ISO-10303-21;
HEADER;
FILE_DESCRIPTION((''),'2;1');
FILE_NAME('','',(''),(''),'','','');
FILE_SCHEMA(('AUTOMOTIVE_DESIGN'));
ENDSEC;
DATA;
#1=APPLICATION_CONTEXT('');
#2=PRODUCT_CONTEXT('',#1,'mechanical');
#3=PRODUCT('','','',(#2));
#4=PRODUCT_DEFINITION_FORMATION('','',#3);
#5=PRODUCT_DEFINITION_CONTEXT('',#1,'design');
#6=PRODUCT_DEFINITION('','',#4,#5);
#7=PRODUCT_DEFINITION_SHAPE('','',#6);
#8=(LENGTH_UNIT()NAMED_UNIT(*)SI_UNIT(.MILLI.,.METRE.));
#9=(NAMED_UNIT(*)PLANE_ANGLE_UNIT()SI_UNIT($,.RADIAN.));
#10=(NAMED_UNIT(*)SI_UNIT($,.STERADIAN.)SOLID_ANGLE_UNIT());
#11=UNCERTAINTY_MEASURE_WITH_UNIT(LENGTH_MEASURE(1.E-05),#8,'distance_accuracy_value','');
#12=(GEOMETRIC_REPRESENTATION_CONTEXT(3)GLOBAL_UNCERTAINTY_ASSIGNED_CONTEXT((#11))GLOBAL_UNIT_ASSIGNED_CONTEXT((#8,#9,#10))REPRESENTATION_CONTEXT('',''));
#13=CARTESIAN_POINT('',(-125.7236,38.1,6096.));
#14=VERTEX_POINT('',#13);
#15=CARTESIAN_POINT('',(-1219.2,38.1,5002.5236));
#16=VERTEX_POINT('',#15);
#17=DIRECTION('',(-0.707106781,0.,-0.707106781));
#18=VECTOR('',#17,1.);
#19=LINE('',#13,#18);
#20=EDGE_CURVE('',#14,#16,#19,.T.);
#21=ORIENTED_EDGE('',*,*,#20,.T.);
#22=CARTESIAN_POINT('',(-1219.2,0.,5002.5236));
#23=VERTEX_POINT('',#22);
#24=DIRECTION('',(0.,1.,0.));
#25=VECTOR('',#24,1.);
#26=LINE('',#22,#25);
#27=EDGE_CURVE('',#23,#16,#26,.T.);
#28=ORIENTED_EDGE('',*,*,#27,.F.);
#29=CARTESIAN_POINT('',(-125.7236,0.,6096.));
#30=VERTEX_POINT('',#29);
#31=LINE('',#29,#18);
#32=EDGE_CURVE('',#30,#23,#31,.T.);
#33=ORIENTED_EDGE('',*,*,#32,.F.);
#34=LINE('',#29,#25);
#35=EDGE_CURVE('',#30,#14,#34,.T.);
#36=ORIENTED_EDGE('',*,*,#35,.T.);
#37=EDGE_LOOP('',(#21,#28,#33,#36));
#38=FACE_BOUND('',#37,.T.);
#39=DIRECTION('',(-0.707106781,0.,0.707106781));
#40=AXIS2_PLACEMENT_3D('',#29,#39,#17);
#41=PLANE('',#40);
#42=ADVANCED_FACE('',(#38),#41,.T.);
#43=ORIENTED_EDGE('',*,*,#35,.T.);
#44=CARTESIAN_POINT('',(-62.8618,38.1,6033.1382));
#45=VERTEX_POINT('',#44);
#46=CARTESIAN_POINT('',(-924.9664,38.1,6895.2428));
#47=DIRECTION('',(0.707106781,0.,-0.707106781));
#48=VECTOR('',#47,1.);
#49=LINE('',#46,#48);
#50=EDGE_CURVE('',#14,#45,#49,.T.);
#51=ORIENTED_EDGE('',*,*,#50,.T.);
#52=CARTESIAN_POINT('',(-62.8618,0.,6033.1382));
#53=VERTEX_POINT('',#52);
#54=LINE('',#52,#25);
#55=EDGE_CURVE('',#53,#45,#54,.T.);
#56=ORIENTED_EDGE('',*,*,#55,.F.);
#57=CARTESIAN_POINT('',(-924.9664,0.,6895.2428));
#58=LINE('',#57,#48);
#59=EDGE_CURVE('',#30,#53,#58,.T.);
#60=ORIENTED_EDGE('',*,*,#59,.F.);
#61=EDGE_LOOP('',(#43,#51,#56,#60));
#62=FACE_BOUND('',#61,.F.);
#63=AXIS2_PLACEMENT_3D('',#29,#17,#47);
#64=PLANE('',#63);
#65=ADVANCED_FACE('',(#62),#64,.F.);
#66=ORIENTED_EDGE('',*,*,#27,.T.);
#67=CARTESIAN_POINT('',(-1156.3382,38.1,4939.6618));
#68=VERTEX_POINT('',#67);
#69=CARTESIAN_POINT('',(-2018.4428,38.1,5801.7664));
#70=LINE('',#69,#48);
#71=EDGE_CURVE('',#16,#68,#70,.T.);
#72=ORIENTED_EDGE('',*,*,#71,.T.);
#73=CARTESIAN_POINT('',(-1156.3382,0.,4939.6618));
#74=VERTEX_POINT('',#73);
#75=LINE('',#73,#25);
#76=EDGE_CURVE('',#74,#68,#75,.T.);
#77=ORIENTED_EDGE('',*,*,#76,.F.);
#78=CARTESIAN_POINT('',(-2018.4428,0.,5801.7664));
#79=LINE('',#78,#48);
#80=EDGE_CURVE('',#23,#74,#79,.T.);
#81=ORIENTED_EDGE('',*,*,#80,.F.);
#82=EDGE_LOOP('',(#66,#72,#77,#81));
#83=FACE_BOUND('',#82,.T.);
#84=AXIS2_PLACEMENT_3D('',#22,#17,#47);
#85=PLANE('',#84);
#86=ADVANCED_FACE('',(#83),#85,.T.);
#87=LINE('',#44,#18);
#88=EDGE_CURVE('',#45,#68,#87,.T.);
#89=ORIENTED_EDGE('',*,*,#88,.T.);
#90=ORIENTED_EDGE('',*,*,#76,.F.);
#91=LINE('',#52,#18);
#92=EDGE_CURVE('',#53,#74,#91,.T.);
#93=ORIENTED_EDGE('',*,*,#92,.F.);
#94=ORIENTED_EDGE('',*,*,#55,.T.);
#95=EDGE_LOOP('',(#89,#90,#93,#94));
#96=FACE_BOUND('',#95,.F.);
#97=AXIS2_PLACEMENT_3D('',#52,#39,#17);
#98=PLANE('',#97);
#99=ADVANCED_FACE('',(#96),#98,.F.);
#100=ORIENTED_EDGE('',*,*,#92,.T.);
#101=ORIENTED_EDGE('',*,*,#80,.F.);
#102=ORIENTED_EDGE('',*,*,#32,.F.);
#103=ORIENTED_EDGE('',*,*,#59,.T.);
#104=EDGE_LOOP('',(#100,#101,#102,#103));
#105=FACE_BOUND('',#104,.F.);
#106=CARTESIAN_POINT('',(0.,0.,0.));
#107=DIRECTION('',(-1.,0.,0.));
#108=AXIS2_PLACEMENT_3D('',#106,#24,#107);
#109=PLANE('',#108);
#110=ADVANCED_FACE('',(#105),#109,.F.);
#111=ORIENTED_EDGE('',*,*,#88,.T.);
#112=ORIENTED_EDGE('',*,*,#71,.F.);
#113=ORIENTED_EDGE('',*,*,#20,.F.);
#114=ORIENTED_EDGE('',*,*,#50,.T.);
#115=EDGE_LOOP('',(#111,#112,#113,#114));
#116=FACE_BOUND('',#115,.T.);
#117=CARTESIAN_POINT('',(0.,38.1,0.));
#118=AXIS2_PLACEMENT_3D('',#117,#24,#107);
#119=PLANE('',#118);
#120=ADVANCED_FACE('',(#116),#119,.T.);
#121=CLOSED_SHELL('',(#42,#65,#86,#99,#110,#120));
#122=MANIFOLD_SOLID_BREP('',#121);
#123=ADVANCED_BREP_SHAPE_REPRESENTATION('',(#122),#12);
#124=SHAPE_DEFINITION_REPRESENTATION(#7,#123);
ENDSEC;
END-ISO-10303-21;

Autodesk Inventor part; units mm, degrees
ref_plane "YZ Plane" through (0, 0, 0) normal (1, 0, 0) x (0, 1, 0)
ref_plane "XZ Plane" through (0, 0, 0) normal (0, 1, 0) x (-1, 0, 0)
ref_plane "XY Plane" through (0, 0, 0) normal (0, 0, 1) x (1, 0, 0)
sketch "Sketch1" plane through (0, 0, 0) normal (0, 1, 0) x (-1, 0, 0)
  line L0 (0, 0) -> (0, -1219.2)
  line L1 (0, 0) -> (88.9, 0)
  line L2 (88.9, 0) -> (88.9, -1219.2)
  line L3 (88.9, -1219.2) -> (0, -1219.2)
  line L4 (0, 0) -> (0, 1219.2) construction
  line L5 (0, 1219.2) -> (1219.2, 1219.2) construction
  line L6 (0, 1219.2) -> (0, 3657.6) construction
  line L7 (0, 3657.6) -> (0, 4876.8) construction
  line L8 (0, 4876.8) -> (0, 6096) construction
  line L9 (0, -1219.2) -> (2438.4, -1219.2) construction
  line L10 (0, 6096) -> (2438.4, 6096) construction
  line L11 (2438.4, 6096) -> (2438.4, -1219.2) construction
  line L12 (0, 3657.6) -> (0, 3352.8) construction
  line L13 (0, 3352.8) -> (2438.4, 3352.8) construction
  line L14 (2438.4, 3352.8) -> (1219.2, 3352.8)
  line L15 (1219.2, 3352.8) -> (1219.2, 3263.9)
  line L16 (1219.2, 3263.9) -> (2438.4, 3263.9)
  line L17 (2438.4, 3263.9) -> (2438.4, 3352.8)
  line L18 (0, 6096) -> (862.1046, 6958.1046)
  line L19 (862.1046, 6958.1046) -> (924.9664, 6895.2428)
  line L20 (924.9664, 6895.2428) -> (62.8618, 6033.1382)
  line L21 (62.8618, 6033.1382) -> (0, 6096)
  line L22 (0, 4876.8) -> (1219.2, 4876.8) construction
  line L23 (1219.2, 4876.8) -> (2081.3046, 5738.9046)
  line L24 (1219.2, 1219.2) -> (2081.3046, 357.0954)
  line L25 (2081.3046, 357.0954) -> (2018.4428, 294.2336)
  line L26 (2018.4428, 294.2336) -> (1156.3382, 1156.3382)
  line L27 (1156.3382, 1156.3382) -> (1219.2, 1219.2)
  line L28 (2018.4428, 294.2336) -> (88.9, -1219.2)
  line L29 (2081.3046, 357.0954) -> (2144.1664, 419.9572)
  line L30 (2144.1664, 419.9572) -> (1282.0618, 1282.0618)
  line L31 (1282.0618, 1282.0618) -> (1219.2, 1219.2)
  line L32 (2438.4, 3352.8) -> (2438.4, 3441.7)
  line L33 (2438.4, 3441.7) -> (1219.2, 3441.7)
  line L34 (1219.2, 3441.7) -> (1219.2, 3352.8)
  line L35 (1156.3382, 4939.6618) -> (1282.0618, 4813.9382)
  line L36 (2018.4428, 5801.7664) -> (2144.1664, 5676.0428)
  line L37 (1282.0618, 4813.9382) -> (2144.1664, 5676.0428)
  line L38 (2018.4428, 5801.7664) -> (1156.3382, 4939.6618)
  line L39 (2018.4428, 5801.7664) -> (924.9664, 6895.2428)
  line L40 (62.8618, 6033.1382) -> (1156.3382, 4939.6618)
  line L41 (1233.6206, 4168.8855) -> (1267.6412, 4086.7527)
  line L42 (1263.7078, 2313.9849) -> (1230.0006, 2231.7229)
  arc A0 (862.1046, 6958.1046) -> (0, 6096) centre (431.0523, 6527.0523) ccw
  line L43 (1246.8542, 2272.8539) -> (2375.0183, 1810.583)
  line L44 (2391.8719, 1851.7139) -> (2358.1646, 1769.452)
  line L45 (2391.8719, 1851.7139) -> (1263.7078, 2313.9849)
  line L46 (1230.0006, 2231.7229) -> (2358.1646, 1769.452)
  line L47 (1230.0006, 2231.7229) -> (1219.2, 3263.9)
  line L48 (2144.1664, 419.9572) -> (2391.8719, 1851.7139)
  line L49 (2391.8719, 1851.7139) -> (2438.4, 3263.9)
  line L50 (1219.2, 3441.7) -> (1233.6206, 4168.8855)
  line L51 (1250.6309, 4127.8191) -> (2377.0248, 4594.3867)
  line L52 (2360.0145, 4635.4532) -> (2394.0351, 4553.3203)
  line L53 (2394.0351, 4553.3203) -> (1267.6412, 4086.7527)
  line L54 (2360.0145, 4635.4532) -> (1233.6206, 4168.8855)
  line L55 (2394.0351, 4553.3203) -> (2144.1664, 5676.0428)
  line L56 (2438.4, 3441.7) -> (2394.0351, 4553.3203)
  line L57 (2144.1664, 5676.0428) -> (2057.3895, 5656.7301)
  line L58 (2394.0351, 4553.3203) -> (2305.2058, 4549.7751)
  line L59 (2394.0351, 4553.3203) -> (2307.2582, 4534.0076)
  line L60 (2307.2582, 4534.0076) -> (2057.3895, 5656.7301)
  line L61 (2438.4, 3441.7) -> (2349.5707, 3438.1548)
  line L62 (2349.5707, 3438.1548) -> (2305.2058, 4549.7751)
  line L63 (1219.2, 3441.7) -> (1308.0825, 3439.9374)
  line L64 (1233.6206, 4168.8855) -> (1322.5031, 4167.1229)
  line L65 (1322.5031, 4167.1229) -> (1308.0825, 3439.9374)
  line L66 (2018.4428, 5801.7664) -> (1955.581, 5738.9046)
  line L67 (1955.581, 5738.9046) -> (862.1046, 6832.381)
  line L68 (924.9664, 6895.2428) -> (862.1046, 6832.381)
  line L69 (62.8618, 6033.1382) -> (125.7236, 6096)
  line L70 (62.8618, 6033.1382) -> (125.7236, 6096)
  line L71 (125.7236, 6096) -> (1219.2, 5002.5236)
  line L72 (1156.3382, 1156.3382) -> (0, 0)
  line L73 (0, 0) -> (62.8618, -62.8618)
  line L74 (1156.3382, 1156.3382) -> (1219.2, 1093.4764)
  line L75 (1219.2, 1093.4764) -> (62.8618, -62.8618)
  line L76 (2018.4428, 294.2336) -> (1963.5776, 364.1837)
  line L77 (88.9, -1219.2) -> (34.0348, -1149.2499)
  line L78 (34.0348, -1149.2499) -> (1963.5776, 364.1837)
  line L79 (2144.1664, 419.9572) -> (2056.5677, 435.1125)
  line L80 (2391.8719, 1851.7139) -> (2304.2732, 1866.8692)
  line L81 (2391.8719, 1851.7139) -> (2303.0201, 1854.6414)
  line L82 (2304.2732, 1866.8692) -> (2056.5677, 435.1125)
  line L83 (1230.0006, 2231.7229) -> (1318.8957, 2232.6531)
  line L84 (1219.2, 3263.9) -> (1308.0951, 3264.8302)
  line L85 (1308.0951, 3264.8302) -> (1318.8957, 2232.6531)
  line L86 (2438.4, 3263.9) -> (2349.5482, 3266.8275)
  line L87 (2349.5482, 3266.8275) -> (2303.0201, 1854.6414)
  line L88 (88.9, 0) -> (125.7236, 0)
  line L89 (1233.6206, 4168.8855) -> (1219.2, 4876.8)
  line L90 (1233.6206, 4168.8855) -> (1322.5022, 4170.6961)
  line L91 (1219.2, 4876.8) -> (1308.0816, 4878.6106)
  line L92 (1308.0816, 4878.6106) -> (1322.5022, 4170.6961)
  line L93 (1282.0618, 4813.9382) -> (1309.9674, 4786.0326)
  line L94 (1267.6412, 4086.7527) -> (1318.4756, 3964.0275)
  line L95 (2360.0145, 4635.4532) -> (2374.4273, 4641.4231)
  line L96 (1230.0006, 2231.7229) -> (1219.2, 1219.2)
  line L97 (1230.0006, 2231.7229) -> (1318.8955, 2230.7747)
  line L98 (1219.2, 1219.2) -> (1308.0949, 1218.2518)
  line L99 (1308.0949, 1218.2518) -> (1318.8955, 2230.7747)
  line L100 (1282.0618, 1282.0618) -> (1309.0636, 1309.0636)
  line L101 (1263.7078, 2313.9849) -> (1316.7428, 2438.4)
  line L102 (2358.1646, 1769.452) -> (2376.5379, 1763.082)
  point P0 (1770.957, 2057.4547)
  point P1 (1955.1236, 357.5528)
  point P2 (88.9, -1106.2164)
  point P3 (2292.1025, 1796.5213)
  point P4 (2067.2525, 496.8711)
  point P5 (1318.5187, 2195.4522)
  point P6 (1308.1049, 3263.9)
  point P7 (2349.4518, 3263.9)
  point P8 (2304.1085, 1887.6754)
  point P9 (2306.5112, 4517.0667)
  point P10 (2349.4292, 3441.7)
  point P11 (1308.1175, 3441.7)
  point P12 (2069.6708, 5601.5472)
  point P13 (2291.0394, 4606.8827)
  point P14 (1321.7951, 4205.4086)
  dimension "d0" = 1219.2
  dimension "d2" = 1219.2
  dimension "d3" = 1219.2
  dimension "d16" = 2438.4
  dimension "d17" = 1219.2
  dimension "d18" = 1219.2
  dimension "d20" = 2438.4
  dimension "d21" = 304.8
  dimension "d22" = 1219.2
  dimension "d23" = 88.9
  dimension "d24" = 1219.2
  dimension "d25" = 45
  dimension "d26" = 88.9
  dimension "d27" = 1219.2
  dimension "d28" = 1219.2
  dimension "d29" = 1219.2
  dimension "d31" = 1219.2
  dimension "d32" = 88.9
  dimension "d33" = 88.9
  dimension "d34" = 88.9
  dimension "d35" = 177.8
  dimension "d36" = 177.8
  dimension "d38" = 88.9
  dimension "d39" = 88.9
  dimension "d43" = 1219.2
  dimension "d44" = 88.9
  dimension "d45" = 1219.2
  dimension "d46" = 88.9
  dimension "d47" = 88.9
  dimension "d48" = 88.9
  dimension "d49" = 88.9
  dimension "d50" = 88.9
  dimension "d51" = 88.9
  dimension "d54" = 88.9
  dimension "d55" = 88.9
  dimension "d57" = 88.9
  dimension "d58" = 88.9
  dimension "d59" = 88.9
  dimension "d60" = 88.9
  dimension "d61" = 88.9
  dimension "d64" = 88.9
  dimension "d65" = 88.9
  dimension "d66" = 88.9
  dimension "d69" = 88.9
  dimension "d70" = 88.9
  dimension "d71" = 88.9
  dimension "d72" = 88.9
extrude "Extrusion2" add sketch "Sketch1" along normal blind 38.1 contours L40 L20 L71 L38
properties part number "2x4x60.882"
